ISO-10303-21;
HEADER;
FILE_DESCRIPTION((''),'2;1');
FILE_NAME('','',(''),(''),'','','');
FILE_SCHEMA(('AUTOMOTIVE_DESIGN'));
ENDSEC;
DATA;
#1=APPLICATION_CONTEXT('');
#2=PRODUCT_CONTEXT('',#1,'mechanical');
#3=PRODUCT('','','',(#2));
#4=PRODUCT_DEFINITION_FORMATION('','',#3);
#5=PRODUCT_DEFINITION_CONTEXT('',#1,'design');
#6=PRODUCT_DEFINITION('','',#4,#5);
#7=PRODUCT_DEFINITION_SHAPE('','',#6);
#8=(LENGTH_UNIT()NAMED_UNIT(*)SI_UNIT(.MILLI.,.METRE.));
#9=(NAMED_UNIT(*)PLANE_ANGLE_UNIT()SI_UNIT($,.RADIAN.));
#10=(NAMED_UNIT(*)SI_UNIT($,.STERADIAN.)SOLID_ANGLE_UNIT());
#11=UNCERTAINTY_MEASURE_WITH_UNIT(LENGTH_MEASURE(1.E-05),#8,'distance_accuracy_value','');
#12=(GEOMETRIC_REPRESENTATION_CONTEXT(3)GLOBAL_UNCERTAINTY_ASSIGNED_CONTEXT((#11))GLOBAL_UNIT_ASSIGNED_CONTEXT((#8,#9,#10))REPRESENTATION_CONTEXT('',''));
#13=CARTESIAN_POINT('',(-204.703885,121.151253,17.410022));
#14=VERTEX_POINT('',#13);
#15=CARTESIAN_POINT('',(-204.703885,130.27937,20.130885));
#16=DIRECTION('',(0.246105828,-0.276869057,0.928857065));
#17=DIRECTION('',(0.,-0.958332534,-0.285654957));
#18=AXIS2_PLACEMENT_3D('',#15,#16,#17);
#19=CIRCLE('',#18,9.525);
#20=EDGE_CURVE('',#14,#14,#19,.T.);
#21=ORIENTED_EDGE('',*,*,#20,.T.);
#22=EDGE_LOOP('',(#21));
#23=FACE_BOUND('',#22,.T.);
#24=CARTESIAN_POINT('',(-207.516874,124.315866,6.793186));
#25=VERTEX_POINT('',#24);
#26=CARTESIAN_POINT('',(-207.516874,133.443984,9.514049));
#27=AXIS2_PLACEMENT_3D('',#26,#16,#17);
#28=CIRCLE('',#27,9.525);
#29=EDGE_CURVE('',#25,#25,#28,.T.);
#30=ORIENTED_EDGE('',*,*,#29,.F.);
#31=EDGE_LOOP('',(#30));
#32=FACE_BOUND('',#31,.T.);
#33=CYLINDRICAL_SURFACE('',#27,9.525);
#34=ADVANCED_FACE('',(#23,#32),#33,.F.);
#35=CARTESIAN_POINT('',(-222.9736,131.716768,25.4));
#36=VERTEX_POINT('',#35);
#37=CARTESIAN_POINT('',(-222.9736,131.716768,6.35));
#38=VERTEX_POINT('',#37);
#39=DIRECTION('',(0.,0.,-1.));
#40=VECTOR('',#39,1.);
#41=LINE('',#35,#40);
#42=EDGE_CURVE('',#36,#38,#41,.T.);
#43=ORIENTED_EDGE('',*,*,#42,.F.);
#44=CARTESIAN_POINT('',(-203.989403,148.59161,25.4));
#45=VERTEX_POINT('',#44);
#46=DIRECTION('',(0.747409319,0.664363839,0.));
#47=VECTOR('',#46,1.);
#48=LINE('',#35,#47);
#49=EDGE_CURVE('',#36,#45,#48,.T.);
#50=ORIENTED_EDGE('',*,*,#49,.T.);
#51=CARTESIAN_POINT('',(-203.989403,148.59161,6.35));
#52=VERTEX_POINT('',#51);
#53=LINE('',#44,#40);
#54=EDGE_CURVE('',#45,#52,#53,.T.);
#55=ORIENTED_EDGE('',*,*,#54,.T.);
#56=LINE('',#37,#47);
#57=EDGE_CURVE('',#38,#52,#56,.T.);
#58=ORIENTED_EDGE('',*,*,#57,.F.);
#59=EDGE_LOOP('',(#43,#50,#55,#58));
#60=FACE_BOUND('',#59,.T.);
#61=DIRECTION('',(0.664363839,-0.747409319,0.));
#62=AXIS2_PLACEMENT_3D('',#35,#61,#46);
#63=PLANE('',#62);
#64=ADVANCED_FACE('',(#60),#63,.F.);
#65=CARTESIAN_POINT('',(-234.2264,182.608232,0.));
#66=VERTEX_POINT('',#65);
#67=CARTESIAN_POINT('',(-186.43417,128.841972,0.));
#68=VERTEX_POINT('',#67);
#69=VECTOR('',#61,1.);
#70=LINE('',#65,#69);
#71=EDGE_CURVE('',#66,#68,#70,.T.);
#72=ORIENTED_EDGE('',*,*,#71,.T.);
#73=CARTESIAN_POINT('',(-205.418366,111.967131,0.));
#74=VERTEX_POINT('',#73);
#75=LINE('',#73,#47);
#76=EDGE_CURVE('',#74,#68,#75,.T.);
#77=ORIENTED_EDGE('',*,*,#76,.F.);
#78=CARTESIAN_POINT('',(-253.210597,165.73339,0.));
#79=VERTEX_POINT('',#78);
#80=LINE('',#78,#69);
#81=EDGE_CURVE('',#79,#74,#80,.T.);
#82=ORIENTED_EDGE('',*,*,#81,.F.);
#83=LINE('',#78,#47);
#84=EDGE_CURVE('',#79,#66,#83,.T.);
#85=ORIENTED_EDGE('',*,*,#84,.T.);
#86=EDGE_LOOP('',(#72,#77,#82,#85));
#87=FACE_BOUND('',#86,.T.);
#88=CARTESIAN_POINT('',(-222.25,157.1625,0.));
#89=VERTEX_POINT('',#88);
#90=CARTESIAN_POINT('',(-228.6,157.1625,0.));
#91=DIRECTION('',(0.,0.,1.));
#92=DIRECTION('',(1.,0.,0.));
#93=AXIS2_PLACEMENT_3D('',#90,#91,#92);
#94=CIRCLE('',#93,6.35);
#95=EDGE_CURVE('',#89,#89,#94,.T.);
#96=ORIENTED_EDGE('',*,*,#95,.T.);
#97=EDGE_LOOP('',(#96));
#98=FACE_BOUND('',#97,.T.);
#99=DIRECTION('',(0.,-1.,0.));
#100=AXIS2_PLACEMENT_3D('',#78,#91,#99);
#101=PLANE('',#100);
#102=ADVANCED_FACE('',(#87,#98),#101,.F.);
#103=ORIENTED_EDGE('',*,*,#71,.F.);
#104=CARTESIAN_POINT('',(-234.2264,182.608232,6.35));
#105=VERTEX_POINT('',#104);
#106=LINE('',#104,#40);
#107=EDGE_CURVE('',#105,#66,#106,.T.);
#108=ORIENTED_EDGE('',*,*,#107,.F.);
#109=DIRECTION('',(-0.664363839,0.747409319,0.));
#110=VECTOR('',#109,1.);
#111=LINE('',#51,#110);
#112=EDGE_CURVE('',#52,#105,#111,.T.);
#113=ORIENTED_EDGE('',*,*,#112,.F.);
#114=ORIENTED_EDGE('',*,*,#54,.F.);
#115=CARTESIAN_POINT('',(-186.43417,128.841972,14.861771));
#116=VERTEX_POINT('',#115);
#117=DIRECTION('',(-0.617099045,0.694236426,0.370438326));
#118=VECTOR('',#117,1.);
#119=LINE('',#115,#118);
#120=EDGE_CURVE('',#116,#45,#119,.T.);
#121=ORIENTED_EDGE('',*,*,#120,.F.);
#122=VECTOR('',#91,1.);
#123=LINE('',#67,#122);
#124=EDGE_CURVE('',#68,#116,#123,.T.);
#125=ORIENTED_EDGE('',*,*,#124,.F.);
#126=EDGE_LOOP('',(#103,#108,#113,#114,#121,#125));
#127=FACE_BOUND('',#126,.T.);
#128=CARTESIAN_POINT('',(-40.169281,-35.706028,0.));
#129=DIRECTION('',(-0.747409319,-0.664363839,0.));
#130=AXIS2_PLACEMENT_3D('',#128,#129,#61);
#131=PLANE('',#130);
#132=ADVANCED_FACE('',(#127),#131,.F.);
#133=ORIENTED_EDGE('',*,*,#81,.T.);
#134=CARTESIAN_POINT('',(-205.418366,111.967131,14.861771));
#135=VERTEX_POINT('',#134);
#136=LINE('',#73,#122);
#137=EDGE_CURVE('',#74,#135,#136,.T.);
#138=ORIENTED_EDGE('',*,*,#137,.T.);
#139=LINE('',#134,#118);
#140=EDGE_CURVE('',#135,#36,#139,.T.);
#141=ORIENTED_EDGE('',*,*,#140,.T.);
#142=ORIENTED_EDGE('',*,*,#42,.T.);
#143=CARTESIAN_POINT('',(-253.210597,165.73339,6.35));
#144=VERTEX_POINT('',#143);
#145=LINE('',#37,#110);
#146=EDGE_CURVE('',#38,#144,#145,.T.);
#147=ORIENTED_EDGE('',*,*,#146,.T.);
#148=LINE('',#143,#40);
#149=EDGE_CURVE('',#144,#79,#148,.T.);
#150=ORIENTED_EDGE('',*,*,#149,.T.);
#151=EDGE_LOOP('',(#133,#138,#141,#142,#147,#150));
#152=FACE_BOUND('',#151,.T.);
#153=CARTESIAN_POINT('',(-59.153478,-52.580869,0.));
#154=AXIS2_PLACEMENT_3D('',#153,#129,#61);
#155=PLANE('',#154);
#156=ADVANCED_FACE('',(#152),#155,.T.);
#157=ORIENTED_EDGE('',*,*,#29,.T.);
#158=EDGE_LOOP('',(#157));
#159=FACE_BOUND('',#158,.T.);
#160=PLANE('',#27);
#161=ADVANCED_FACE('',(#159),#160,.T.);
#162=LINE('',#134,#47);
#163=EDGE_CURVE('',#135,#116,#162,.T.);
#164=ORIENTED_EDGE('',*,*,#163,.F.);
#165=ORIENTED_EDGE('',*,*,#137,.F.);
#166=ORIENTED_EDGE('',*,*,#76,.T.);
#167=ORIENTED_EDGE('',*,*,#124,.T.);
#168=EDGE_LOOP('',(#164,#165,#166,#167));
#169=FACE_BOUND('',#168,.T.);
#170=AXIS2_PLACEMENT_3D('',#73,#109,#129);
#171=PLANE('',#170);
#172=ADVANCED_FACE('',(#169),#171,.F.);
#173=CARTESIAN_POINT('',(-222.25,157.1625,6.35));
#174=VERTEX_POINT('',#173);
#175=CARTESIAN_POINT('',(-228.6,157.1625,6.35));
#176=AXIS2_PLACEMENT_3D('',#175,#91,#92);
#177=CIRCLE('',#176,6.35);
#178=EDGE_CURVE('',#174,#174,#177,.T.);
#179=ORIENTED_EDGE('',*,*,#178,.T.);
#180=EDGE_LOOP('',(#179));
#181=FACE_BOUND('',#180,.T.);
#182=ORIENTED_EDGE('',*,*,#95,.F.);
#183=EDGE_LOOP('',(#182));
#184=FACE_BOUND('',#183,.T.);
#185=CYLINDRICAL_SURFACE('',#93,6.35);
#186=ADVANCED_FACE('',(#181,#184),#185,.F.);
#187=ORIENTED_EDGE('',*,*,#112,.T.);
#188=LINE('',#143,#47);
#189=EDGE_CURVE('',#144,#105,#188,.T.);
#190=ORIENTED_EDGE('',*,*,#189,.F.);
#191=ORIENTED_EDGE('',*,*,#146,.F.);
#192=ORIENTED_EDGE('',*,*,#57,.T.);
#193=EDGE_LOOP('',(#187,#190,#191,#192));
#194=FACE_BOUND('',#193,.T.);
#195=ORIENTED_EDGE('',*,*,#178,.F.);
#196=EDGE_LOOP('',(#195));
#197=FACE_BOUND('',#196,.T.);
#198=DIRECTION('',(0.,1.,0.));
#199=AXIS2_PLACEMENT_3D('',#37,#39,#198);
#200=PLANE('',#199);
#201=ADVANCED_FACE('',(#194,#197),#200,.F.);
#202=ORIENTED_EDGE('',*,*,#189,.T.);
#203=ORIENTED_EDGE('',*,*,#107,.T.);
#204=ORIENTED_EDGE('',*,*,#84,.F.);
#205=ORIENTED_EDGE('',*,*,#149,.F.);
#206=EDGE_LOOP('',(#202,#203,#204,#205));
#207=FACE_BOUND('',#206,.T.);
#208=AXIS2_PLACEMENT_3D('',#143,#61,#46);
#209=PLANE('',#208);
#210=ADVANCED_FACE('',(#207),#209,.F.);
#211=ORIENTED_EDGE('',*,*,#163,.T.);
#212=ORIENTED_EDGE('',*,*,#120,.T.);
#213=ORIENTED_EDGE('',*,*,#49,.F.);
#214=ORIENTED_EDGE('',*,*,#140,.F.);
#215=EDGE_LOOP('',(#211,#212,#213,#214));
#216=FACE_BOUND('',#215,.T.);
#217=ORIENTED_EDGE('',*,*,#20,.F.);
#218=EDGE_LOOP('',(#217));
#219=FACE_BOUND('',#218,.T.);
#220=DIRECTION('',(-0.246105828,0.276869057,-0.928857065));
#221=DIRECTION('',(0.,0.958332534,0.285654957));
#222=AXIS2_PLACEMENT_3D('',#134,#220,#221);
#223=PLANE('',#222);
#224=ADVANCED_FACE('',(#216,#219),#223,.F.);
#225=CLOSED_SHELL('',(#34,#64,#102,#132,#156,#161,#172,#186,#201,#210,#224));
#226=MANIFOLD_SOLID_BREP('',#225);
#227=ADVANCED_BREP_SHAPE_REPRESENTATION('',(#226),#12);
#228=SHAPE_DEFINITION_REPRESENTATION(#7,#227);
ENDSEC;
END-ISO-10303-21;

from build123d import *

# Parameters (mm, degrees)
BOSS_EXTRUDE1_DEPTH = 12.7
SKETCH4_R           = 6.35
CUT_EXTRUDE1_DEPTH  = 7.35
SKETCH5_R           = 9.525
CUT_EXTRUDE2_DEPTH  = 11.43


with BuildPart() as part:
    # Sketch3 → Boss-Extrude1 (new body, symmetric)
    with BuildSketch(Plane(origin=(-49.66137931, -44.143448276, 0), x_dir=(0, 0, 1), z_dir=(-0.747409319, -0.664363839, 0))):
        Polygon((0, 292.094644262), (0, 220.157811167), (14.861770509, 220.157811167), (25.4, 246.581936946), (6.35, 246.581936946), (6.35, 292.094644262), align=None)
    extrude(amount=BOSS_EXTRUDE1_DEPTH, both=True)

    # Sketch4 → Cut-Extrude1 (cut, through all)
    with BuildSketch(Plane.XY.offset(6.35)):
        with Locations((-228.6, 157.1625)):
            Circle(SKETCH4_R)
    extrude(amount=-CUT_EXTRUDE1_DEPTH, mode=Mode.SUBTRACT)

    # Sketch5 → Cut-Extrude2 (cut)
    with BuildSketch(Plane(origin=(-16.673775789, 18.757997763, -62.930465953), x_dir=(0.969242963, 0.07030135, -0.235851222), z_dir=(0.246105828, -0.276869057, 0.928857065))):
        with Locations((-193.99687807, 130.601446216)):
            Circle(SKETCH5_R)
    extrude(amount=-CUT_EXTRUDE2_DEPTH, mode=Mode.SUBTRACT)


solid = part.part
